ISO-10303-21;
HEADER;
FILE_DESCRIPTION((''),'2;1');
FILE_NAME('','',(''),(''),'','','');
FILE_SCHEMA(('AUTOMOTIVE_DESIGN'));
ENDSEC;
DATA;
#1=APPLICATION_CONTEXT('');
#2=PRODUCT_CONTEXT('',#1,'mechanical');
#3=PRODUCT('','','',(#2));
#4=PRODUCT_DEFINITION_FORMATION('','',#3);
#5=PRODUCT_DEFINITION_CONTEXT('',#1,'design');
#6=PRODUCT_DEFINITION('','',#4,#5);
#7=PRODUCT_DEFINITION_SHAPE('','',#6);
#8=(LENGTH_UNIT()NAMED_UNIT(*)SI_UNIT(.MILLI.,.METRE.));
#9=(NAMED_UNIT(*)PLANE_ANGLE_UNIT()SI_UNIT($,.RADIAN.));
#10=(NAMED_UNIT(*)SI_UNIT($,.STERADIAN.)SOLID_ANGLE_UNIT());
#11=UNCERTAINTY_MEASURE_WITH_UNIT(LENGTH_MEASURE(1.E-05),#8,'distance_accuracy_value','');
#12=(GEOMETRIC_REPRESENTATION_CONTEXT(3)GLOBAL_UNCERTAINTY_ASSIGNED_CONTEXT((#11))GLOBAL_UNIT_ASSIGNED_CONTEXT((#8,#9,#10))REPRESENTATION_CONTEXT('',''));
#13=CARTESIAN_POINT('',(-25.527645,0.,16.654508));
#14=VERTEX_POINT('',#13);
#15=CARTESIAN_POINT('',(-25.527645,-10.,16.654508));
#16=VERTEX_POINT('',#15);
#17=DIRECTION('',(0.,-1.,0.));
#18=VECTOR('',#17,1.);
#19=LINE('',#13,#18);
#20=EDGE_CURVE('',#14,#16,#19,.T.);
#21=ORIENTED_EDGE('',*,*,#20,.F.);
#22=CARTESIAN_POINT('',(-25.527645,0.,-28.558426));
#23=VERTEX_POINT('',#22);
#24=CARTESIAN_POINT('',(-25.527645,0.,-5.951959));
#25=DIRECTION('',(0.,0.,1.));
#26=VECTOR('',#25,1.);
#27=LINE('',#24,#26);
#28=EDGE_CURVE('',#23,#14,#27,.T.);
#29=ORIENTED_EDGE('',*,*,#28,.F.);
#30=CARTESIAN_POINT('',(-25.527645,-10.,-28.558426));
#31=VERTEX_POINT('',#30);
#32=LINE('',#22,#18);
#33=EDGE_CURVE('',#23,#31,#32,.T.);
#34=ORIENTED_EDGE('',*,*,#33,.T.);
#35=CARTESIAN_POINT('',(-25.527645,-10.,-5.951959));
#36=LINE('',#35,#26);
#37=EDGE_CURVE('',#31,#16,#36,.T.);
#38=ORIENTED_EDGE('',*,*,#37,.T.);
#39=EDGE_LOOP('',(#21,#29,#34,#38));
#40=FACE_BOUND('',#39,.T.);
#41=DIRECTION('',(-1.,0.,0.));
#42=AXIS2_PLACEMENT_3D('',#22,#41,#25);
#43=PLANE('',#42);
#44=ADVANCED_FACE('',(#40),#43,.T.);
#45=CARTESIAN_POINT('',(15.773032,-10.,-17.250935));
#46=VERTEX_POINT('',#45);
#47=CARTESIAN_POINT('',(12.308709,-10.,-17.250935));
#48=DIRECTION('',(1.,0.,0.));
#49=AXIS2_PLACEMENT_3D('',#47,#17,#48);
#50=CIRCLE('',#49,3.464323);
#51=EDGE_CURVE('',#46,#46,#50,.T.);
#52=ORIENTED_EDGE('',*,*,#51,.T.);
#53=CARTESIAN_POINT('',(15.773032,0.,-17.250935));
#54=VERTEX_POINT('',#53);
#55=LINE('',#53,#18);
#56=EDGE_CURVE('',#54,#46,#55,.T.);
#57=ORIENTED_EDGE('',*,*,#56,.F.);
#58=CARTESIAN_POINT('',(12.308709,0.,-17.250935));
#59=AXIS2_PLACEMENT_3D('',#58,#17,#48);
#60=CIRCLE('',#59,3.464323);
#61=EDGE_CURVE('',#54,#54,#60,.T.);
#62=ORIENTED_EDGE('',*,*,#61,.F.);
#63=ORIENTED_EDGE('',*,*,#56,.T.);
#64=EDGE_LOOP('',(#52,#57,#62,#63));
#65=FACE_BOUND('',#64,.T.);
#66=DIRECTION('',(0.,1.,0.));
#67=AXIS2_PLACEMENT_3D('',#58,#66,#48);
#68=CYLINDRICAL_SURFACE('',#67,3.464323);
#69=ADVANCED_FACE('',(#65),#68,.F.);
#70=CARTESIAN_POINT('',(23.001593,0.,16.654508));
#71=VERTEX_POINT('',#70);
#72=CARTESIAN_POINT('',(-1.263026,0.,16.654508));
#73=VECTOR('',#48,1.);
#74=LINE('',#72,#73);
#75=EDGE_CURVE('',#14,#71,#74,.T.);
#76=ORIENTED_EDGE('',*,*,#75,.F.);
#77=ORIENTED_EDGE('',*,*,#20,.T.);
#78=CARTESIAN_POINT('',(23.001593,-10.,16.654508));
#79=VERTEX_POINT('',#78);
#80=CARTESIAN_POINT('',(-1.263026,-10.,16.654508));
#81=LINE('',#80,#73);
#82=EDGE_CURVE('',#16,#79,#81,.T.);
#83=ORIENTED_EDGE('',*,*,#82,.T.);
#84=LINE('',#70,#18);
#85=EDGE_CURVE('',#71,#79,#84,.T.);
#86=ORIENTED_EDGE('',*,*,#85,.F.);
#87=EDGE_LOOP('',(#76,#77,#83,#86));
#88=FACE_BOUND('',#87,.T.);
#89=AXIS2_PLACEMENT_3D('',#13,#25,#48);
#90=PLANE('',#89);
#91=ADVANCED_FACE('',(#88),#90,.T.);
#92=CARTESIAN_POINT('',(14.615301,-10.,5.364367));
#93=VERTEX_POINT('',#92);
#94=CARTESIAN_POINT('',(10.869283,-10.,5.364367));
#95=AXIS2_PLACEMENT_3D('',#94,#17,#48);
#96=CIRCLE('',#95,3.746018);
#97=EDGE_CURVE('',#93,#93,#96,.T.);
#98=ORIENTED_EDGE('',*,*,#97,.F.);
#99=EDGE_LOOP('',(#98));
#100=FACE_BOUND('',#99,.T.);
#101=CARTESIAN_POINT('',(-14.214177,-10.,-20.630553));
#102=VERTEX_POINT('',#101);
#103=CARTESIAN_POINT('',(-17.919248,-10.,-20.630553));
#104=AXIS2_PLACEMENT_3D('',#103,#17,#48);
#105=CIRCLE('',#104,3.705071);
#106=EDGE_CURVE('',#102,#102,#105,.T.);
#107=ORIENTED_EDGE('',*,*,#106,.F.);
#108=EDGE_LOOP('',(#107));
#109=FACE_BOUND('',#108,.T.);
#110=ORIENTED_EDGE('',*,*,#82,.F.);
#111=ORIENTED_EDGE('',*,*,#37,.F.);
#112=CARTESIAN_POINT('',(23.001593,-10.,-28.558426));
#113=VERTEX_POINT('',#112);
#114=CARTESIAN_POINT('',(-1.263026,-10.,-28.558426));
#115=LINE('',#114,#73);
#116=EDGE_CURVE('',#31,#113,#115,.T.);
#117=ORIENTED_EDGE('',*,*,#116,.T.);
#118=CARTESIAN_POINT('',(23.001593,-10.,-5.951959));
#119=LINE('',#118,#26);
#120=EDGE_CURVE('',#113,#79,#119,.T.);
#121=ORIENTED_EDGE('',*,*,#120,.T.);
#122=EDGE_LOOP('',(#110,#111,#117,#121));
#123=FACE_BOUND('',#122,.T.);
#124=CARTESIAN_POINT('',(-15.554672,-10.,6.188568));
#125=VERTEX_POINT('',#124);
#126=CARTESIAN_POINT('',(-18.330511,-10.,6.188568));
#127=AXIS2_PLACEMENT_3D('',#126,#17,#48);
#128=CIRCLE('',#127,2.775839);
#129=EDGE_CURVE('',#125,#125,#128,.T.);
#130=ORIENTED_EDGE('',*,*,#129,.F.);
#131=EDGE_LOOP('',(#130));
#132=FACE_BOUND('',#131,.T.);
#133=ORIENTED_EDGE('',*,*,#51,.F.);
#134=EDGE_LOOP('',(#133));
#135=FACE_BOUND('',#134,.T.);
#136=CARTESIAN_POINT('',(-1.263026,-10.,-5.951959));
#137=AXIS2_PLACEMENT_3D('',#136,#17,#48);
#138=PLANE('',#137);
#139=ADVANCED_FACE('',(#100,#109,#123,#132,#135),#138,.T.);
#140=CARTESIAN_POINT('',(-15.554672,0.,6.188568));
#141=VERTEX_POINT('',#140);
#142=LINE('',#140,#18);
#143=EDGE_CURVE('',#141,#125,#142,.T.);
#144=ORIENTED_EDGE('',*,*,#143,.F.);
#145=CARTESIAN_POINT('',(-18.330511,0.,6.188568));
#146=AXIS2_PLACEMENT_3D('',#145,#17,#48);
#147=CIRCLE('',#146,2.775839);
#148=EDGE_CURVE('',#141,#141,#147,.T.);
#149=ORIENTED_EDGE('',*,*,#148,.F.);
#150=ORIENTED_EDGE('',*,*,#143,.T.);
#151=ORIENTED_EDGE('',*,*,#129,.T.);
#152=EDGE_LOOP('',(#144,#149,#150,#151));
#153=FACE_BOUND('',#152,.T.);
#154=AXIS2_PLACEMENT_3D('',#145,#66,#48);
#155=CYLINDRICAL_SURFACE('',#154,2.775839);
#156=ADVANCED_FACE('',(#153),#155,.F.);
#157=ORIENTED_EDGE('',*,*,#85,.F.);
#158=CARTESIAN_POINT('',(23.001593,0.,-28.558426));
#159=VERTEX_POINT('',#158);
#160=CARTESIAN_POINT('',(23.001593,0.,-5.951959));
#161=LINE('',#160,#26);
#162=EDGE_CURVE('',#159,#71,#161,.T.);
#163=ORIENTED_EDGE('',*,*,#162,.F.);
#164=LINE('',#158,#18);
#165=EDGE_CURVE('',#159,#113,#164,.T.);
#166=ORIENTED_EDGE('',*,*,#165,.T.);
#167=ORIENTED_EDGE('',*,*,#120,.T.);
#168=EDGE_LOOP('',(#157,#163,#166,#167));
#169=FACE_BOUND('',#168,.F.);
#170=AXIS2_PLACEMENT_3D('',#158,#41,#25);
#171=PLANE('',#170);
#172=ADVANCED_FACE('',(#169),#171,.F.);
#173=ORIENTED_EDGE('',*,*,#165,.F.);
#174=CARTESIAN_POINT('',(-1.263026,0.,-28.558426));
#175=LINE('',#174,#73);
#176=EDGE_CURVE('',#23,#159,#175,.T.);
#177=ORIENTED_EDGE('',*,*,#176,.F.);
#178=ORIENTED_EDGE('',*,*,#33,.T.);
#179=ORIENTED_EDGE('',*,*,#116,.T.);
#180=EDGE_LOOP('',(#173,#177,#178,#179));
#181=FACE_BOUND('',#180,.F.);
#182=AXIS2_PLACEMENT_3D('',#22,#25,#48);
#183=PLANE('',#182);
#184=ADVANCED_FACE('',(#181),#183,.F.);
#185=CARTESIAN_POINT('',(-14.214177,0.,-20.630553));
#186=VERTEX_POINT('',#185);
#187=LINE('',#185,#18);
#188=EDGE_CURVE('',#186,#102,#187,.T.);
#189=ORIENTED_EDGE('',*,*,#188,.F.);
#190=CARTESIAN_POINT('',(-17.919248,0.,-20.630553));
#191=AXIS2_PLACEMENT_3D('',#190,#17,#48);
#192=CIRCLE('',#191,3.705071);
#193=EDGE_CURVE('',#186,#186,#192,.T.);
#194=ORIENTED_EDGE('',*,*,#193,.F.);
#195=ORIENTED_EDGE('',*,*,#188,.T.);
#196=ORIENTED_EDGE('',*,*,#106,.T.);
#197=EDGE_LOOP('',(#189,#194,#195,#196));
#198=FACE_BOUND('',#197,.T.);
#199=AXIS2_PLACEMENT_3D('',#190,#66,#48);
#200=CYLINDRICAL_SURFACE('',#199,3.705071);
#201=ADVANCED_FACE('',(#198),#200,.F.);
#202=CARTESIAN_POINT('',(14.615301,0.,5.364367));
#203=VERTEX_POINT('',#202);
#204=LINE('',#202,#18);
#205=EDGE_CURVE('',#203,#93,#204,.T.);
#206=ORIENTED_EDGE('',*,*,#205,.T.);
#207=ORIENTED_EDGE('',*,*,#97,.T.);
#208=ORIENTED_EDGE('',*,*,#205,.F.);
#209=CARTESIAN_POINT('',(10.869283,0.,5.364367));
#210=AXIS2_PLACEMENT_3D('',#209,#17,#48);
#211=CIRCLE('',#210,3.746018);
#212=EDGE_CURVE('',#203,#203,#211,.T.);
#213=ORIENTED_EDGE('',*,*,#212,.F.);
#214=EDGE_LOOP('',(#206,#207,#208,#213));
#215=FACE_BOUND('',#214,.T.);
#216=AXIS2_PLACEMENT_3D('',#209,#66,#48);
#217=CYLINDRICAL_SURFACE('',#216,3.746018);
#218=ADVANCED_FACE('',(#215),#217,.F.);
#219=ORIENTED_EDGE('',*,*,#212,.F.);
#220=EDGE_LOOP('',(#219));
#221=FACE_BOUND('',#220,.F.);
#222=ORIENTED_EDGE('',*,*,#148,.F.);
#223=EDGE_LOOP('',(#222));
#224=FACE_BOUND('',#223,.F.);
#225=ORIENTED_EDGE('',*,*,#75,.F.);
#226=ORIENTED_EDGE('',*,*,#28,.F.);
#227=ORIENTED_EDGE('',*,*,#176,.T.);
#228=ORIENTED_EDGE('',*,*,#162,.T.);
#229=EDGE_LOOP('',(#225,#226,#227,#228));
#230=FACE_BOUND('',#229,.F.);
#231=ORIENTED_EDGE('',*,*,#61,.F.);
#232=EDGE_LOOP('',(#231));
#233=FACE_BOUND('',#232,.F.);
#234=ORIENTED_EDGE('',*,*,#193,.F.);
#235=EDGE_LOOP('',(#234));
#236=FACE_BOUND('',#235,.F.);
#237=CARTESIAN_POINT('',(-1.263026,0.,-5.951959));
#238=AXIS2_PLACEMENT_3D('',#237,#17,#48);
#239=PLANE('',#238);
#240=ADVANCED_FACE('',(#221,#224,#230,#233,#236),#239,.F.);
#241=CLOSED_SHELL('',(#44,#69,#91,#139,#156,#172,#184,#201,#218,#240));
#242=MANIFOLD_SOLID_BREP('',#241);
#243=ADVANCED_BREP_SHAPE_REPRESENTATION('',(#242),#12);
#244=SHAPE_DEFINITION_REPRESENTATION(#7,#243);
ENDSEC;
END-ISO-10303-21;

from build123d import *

# Parameters (mm, degrees)
F0_W     = 48.529239
F0_H     = 45.212935
F0_R     = 3.705071
F0_R_2   = 3.464323
F0_R_3   = 2.775839
F0_R_4   = 3.746018
F1_DEPTH = 10


with BuildPart() as f1:
    # F0 (on Front) → F1 (new body)
    with BuildSketch(Plane.XZ):
        with Locations((-1.263026, -5.951959)):
            Rectangle(F0_W, F0_H)
        with Locations((-17.919248, -20.630553)):
            Circle(F0_R, mode=Mode.SUBTRACT)
        with Locations((12.308709, -17.250935)):
            Circle(F0_R_2, mode=Mode.SUBTRACT)
        with Locations((-18.330511, 6.188568)):
            Circle(F0_R_3, mode=Mode.SUBTRACT)
        with Locations((10.869283, 5.364367)):
            Circle(F0_R_4, mode=Mode.SUBTRACT)
    extrude(amount=F1_DEPTH)


solid = f1.part
